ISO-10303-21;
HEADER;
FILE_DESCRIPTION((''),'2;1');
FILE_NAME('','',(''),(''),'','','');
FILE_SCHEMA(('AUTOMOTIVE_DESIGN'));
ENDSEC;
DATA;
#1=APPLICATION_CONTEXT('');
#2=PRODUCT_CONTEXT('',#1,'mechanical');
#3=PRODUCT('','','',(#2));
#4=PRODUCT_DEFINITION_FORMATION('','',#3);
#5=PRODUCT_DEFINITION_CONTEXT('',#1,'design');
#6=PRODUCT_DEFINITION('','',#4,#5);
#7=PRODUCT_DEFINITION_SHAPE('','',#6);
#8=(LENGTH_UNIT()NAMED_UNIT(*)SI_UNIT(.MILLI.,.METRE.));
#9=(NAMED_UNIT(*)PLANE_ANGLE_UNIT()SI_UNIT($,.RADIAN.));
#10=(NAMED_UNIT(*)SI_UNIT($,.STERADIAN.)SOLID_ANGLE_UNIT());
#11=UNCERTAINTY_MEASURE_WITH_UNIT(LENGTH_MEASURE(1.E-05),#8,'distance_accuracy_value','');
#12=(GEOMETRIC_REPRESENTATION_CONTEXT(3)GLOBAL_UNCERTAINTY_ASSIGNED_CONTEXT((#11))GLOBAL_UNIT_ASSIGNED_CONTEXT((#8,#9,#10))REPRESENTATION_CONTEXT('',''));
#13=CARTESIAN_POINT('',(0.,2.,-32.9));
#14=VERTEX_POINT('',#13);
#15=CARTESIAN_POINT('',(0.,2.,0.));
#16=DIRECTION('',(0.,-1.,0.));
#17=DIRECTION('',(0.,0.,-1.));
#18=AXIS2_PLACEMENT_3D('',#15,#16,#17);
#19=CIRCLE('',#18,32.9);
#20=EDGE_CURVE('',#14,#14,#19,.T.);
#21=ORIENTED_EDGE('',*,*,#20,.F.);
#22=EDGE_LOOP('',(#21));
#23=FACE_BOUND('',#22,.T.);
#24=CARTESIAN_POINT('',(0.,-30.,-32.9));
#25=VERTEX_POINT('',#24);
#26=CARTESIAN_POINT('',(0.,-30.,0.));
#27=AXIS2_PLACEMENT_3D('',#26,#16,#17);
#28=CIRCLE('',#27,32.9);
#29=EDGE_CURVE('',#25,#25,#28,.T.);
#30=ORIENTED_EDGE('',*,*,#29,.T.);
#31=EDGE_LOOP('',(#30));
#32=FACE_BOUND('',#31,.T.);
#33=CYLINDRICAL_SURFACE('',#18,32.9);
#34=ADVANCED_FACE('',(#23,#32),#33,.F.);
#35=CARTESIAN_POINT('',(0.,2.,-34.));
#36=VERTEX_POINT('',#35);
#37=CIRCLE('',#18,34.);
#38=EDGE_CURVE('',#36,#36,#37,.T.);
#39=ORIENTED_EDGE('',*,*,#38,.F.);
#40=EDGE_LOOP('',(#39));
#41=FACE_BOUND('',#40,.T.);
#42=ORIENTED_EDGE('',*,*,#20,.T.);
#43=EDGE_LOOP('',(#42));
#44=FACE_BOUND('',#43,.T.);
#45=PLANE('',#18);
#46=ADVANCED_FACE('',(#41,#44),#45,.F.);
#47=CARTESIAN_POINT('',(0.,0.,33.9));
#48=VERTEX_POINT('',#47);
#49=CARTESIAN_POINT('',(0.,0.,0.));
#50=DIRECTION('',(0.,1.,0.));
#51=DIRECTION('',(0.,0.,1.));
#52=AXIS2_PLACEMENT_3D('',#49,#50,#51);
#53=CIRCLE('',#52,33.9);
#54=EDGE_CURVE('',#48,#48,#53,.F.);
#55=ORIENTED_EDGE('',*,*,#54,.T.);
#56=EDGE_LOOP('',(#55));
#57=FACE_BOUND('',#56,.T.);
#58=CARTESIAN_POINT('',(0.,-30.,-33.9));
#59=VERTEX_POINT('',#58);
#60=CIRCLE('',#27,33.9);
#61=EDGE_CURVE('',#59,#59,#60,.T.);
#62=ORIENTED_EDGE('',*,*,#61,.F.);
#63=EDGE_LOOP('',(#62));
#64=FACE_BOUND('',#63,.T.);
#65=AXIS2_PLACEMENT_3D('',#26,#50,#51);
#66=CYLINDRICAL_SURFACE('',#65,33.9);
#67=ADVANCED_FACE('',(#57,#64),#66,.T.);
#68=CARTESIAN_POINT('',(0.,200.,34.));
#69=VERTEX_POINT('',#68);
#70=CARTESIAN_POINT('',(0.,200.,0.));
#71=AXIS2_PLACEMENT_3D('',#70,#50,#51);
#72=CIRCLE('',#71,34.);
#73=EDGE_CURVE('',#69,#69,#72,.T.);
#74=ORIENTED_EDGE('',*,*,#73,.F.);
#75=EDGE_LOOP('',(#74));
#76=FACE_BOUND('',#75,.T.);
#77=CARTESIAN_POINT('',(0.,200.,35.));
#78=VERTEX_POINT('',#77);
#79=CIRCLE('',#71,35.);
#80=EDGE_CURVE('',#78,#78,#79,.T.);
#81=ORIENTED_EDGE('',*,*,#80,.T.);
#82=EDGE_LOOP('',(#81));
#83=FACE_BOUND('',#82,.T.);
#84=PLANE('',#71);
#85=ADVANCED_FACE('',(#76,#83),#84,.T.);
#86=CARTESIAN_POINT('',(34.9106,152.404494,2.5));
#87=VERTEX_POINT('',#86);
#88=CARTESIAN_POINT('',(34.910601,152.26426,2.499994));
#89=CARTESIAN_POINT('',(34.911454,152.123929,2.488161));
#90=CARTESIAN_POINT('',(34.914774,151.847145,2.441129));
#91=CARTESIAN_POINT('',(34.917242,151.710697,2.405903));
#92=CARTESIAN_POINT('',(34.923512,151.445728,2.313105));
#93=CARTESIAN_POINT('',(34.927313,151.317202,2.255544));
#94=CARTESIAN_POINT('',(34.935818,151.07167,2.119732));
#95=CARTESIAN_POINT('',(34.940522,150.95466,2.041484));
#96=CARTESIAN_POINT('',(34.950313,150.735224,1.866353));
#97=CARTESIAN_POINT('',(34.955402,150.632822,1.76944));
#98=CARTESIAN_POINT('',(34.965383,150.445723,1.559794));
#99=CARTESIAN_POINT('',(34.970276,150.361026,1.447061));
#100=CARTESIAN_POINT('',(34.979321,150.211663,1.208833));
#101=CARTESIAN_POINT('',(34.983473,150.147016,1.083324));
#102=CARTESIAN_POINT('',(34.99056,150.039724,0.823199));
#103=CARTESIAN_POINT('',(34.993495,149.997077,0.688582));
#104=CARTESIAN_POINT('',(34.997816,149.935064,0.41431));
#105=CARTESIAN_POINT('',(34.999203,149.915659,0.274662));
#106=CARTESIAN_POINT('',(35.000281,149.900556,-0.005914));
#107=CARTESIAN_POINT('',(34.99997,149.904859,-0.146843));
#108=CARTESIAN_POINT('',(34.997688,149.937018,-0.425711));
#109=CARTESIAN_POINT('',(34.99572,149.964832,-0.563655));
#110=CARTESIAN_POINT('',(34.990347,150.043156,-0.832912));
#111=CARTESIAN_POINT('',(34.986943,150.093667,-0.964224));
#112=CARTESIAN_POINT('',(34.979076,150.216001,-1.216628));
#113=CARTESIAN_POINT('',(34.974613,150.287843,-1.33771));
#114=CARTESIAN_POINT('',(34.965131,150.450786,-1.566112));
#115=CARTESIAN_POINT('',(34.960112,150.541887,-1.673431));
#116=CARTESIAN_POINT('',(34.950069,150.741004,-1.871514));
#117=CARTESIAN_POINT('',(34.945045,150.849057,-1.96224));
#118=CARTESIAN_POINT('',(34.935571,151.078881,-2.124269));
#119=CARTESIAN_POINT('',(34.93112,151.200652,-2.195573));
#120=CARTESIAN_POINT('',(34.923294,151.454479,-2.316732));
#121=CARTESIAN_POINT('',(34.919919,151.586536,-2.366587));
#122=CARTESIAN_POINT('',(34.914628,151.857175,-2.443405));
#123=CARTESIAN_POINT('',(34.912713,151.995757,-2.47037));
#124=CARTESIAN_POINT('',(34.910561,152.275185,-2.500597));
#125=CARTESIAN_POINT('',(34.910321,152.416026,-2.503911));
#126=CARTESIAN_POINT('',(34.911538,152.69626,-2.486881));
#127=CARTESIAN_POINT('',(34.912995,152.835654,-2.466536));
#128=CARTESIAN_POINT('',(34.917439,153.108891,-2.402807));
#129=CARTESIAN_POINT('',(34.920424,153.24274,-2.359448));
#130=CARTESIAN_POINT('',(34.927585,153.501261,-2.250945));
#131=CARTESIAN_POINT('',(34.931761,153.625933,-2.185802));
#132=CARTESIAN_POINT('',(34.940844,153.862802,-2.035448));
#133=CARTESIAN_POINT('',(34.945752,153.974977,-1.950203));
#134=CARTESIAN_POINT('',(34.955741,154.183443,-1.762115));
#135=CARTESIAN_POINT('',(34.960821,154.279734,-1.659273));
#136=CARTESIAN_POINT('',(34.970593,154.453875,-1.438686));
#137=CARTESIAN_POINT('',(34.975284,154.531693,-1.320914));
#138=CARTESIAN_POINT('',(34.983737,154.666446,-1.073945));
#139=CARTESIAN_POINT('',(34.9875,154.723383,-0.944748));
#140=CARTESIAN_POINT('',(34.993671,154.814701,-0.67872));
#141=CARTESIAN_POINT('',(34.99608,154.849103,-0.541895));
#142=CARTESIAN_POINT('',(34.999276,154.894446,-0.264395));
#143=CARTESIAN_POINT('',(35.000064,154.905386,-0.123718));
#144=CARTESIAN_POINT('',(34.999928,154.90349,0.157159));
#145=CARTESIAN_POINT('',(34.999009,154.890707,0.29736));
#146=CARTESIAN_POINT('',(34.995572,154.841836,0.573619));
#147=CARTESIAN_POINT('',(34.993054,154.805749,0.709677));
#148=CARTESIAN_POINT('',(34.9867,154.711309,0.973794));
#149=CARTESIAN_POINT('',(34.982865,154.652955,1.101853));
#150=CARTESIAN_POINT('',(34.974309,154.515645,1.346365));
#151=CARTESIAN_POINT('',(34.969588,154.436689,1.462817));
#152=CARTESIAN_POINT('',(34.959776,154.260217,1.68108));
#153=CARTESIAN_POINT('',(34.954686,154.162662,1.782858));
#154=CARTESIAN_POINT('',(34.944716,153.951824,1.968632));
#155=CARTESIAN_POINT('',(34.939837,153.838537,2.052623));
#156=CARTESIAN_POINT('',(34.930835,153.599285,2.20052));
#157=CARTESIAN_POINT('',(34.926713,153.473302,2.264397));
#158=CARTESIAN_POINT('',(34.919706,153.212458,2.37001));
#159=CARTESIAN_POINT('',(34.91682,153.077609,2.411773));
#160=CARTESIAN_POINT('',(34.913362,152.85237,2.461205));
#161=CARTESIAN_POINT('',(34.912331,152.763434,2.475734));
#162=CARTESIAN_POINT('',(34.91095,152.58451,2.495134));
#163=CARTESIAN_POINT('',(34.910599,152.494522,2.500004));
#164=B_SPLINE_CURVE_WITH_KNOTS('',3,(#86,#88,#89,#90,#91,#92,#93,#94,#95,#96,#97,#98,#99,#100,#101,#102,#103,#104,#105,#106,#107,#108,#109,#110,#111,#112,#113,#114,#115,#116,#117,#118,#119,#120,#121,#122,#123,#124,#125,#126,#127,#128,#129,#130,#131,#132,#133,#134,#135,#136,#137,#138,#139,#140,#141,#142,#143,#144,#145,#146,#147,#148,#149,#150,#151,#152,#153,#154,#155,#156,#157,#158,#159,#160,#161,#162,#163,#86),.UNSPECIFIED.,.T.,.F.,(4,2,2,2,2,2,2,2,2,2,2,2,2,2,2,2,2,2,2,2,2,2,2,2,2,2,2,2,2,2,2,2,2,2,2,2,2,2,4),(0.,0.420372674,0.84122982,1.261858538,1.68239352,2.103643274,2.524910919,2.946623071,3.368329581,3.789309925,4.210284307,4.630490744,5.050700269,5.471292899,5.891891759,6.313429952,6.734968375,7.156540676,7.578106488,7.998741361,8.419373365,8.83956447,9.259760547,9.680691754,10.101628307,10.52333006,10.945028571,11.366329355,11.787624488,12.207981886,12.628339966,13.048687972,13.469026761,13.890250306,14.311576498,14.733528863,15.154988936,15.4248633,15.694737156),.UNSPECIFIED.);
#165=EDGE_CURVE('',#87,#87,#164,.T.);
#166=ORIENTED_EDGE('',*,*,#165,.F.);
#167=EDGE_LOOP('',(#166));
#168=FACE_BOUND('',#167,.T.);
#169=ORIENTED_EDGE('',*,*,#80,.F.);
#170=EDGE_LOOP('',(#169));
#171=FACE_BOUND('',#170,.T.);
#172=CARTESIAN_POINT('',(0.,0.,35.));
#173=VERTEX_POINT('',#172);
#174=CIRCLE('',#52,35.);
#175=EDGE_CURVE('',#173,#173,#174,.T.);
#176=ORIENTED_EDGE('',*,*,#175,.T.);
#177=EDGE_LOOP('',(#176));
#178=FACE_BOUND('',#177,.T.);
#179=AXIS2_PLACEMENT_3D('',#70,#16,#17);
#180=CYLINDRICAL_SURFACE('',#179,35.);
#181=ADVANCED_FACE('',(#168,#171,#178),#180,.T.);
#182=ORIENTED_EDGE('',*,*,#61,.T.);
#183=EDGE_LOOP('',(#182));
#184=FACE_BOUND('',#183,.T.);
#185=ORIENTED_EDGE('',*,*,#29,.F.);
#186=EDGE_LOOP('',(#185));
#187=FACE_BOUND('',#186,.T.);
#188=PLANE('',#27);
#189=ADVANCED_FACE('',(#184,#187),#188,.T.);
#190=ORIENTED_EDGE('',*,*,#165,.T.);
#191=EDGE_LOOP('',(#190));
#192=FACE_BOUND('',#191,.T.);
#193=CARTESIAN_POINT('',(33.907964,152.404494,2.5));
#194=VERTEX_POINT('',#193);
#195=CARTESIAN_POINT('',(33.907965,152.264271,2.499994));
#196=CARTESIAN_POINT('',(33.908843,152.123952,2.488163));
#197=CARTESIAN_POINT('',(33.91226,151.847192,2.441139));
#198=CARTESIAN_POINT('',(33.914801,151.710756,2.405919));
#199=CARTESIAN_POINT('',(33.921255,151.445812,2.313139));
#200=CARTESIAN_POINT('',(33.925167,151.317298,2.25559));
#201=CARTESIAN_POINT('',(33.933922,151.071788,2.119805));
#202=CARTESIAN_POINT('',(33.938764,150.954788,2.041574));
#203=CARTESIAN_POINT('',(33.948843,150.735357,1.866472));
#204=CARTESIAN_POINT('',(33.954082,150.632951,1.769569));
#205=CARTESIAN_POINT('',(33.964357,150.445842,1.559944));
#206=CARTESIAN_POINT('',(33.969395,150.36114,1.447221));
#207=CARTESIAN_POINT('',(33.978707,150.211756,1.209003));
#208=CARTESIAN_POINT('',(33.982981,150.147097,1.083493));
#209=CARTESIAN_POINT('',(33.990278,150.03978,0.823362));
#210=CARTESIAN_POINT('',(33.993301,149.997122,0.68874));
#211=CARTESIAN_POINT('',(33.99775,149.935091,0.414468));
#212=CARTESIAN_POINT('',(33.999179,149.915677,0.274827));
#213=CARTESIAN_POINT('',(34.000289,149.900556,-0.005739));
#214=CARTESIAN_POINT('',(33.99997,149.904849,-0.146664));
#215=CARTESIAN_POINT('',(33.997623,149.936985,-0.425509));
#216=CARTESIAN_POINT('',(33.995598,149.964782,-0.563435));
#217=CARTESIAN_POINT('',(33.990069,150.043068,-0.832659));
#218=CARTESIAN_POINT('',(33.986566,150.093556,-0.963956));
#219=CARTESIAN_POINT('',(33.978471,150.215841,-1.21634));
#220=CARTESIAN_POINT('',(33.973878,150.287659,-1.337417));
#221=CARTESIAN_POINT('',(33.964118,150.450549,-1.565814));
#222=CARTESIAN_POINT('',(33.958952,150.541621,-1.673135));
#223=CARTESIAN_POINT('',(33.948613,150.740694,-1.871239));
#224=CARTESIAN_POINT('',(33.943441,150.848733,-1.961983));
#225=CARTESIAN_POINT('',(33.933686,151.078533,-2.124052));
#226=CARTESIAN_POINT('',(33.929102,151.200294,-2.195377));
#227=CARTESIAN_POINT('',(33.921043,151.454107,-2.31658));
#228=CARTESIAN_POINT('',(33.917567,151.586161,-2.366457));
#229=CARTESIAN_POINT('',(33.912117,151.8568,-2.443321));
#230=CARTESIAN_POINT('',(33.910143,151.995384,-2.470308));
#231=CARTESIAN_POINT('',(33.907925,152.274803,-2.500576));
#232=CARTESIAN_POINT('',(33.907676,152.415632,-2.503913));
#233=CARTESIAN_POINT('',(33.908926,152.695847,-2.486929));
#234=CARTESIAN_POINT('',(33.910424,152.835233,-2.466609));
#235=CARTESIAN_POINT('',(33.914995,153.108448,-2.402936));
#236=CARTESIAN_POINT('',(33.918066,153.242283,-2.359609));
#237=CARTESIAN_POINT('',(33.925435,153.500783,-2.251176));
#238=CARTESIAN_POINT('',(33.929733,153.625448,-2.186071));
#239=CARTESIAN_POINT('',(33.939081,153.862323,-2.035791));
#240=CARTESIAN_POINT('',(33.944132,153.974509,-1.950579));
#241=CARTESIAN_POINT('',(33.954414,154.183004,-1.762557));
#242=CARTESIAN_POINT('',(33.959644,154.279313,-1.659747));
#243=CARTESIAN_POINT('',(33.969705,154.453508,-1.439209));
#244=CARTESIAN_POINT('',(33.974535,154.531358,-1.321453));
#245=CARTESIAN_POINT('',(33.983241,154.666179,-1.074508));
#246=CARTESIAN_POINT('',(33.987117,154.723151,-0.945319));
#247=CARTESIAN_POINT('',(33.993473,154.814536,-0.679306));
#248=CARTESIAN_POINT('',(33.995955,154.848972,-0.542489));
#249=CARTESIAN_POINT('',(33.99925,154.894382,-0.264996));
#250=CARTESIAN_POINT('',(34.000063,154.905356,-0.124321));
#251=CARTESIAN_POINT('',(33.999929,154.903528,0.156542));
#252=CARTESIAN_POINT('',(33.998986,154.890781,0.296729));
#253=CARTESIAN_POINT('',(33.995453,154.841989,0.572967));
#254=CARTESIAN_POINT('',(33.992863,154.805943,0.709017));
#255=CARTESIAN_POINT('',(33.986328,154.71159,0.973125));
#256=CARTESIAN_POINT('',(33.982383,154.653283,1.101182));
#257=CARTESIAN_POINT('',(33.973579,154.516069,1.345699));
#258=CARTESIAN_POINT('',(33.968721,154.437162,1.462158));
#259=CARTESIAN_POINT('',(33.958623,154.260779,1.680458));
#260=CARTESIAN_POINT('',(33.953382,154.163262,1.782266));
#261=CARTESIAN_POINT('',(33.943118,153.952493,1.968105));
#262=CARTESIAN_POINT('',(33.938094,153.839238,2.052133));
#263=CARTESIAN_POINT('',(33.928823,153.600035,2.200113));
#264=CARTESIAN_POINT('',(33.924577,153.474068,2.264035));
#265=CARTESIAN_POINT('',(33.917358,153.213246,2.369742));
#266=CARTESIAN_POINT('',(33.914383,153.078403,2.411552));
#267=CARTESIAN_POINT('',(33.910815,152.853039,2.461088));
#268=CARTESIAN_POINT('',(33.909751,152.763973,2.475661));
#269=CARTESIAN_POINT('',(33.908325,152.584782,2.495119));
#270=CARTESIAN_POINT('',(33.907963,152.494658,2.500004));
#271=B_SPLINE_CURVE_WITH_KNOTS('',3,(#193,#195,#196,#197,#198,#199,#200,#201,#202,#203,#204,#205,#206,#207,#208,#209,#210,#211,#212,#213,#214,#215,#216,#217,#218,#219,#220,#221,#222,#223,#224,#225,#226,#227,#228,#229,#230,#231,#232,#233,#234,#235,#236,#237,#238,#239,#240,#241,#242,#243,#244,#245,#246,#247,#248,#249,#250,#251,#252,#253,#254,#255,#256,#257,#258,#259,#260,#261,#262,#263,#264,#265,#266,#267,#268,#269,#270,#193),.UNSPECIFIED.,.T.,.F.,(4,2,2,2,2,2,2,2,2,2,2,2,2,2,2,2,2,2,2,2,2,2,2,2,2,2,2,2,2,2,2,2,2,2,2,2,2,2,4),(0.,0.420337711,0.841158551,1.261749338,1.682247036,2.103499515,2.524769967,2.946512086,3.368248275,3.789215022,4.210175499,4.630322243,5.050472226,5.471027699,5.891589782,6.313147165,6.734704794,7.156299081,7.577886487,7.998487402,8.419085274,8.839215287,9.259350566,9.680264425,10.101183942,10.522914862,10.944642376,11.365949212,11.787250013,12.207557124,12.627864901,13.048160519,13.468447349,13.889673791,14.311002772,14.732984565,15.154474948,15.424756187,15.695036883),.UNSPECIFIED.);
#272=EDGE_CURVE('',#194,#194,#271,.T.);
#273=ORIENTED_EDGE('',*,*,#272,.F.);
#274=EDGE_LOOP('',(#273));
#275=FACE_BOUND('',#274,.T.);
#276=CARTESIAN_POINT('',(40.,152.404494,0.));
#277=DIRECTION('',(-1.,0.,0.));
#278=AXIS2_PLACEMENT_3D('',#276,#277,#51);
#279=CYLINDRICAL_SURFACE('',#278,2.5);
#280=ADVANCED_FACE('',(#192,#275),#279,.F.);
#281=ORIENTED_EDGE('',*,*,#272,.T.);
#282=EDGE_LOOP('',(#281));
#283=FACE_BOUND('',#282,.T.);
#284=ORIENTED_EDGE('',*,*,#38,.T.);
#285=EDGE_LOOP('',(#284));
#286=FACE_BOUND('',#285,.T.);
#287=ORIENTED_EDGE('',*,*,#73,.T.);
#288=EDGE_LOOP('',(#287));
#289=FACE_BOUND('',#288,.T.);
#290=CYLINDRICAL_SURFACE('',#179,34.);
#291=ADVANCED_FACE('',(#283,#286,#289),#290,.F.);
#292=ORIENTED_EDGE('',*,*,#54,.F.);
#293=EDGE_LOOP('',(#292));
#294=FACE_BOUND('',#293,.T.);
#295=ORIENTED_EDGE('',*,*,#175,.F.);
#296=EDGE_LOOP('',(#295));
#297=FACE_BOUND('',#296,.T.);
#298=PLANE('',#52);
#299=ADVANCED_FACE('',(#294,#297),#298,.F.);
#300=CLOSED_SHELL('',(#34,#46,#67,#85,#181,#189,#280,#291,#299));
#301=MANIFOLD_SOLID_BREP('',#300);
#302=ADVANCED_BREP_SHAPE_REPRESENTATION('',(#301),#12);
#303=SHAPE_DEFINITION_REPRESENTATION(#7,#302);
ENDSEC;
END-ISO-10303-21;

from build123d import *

# Parameters (mm, degrees)
SKETCH1_R           = 35
SKETCH1_R_2         = 34
BOSS_EXTRUDE1_DEPTH = 200
SKETCH2_R           = 34
SKETCH2_R_2         = 32.9
BOSS_EXTRUDE2_DEPTH = 2
BOSS_EXTRUDE3_START = 30
SKETCH3_R           = 33.9
SKETCH3_R_2         = 32.9
BOSS_EXTRUDE3_DEPTH = 30
SKETCH4_R           = 2.5
CUT_EXTRUDE1_DEPTH  = 40


with BuildPart() as part:
    # Sketch1 → Boss-Extrude1 (new body)
    with BuildSketch(Plane(origin=(0, 0, 0), x_dir=(1, 0, 0), z_dir=(0, 1, 0))):
        with Locations(Location((0, 0, 0), (0, 0, 270))):
            Circle(SKETCH1_R)
        with Locations(Location((0, 0, 0), (0, 0, 270))):
            Circle(SKETCH1_R_2, mode=Mode.SUBTRACT)
    extrude(amount=BOSS_EXTRUDE1_DEPTH)

    # Sketch2 → Boss-Extrude2 (add)
    with BuildSketch(Plane.XZ):
        with Locations(Location((0, 0, 0), (0, 0, 270))):
            Circle(SKETCH2_R)
        with Locations(Location((0, 0, 0), (0, 0, 270))):
            Circle(SKETCH2_R_2, mode=Mode.SUBTRACT)
    extrude(amount=-BOSS_EXTRUDE2_DEPTH)

    # Sketch3 → Boss-Extrude3 (add)
    with BuildSketch(Plane.XZ.offset(BOSS_EXTRUDE3_START)):
        with Locations(Location((0, 0, 0), (0, 0, 90))):
            Circle(SKETCH3_R)
        with Locations(Location((0, 0, 0), (0, 0, 270))):
            Circle(SKETCH3_R_2, mode=Mode.SUBTRACT)
    extrude(amount=-BOSS_EXTRUDE3_DEPTH)

    # Sketch4 → Cut-Extrude1 (cut)
    with BuildSketch(Plane(origin=(0, 0, 0), x_dir=(0, 0, -1), z_dir=(1, 0, 0))):
        with Locations(Location((0, 152.404493748, 0), (0, 0, 180))):
            Circle(SKETCH4_R)
    extrude(amount=CUT_EXTRUDE1_DEPTH, mode=Mode.SUBTRACT)


solid = part.part
